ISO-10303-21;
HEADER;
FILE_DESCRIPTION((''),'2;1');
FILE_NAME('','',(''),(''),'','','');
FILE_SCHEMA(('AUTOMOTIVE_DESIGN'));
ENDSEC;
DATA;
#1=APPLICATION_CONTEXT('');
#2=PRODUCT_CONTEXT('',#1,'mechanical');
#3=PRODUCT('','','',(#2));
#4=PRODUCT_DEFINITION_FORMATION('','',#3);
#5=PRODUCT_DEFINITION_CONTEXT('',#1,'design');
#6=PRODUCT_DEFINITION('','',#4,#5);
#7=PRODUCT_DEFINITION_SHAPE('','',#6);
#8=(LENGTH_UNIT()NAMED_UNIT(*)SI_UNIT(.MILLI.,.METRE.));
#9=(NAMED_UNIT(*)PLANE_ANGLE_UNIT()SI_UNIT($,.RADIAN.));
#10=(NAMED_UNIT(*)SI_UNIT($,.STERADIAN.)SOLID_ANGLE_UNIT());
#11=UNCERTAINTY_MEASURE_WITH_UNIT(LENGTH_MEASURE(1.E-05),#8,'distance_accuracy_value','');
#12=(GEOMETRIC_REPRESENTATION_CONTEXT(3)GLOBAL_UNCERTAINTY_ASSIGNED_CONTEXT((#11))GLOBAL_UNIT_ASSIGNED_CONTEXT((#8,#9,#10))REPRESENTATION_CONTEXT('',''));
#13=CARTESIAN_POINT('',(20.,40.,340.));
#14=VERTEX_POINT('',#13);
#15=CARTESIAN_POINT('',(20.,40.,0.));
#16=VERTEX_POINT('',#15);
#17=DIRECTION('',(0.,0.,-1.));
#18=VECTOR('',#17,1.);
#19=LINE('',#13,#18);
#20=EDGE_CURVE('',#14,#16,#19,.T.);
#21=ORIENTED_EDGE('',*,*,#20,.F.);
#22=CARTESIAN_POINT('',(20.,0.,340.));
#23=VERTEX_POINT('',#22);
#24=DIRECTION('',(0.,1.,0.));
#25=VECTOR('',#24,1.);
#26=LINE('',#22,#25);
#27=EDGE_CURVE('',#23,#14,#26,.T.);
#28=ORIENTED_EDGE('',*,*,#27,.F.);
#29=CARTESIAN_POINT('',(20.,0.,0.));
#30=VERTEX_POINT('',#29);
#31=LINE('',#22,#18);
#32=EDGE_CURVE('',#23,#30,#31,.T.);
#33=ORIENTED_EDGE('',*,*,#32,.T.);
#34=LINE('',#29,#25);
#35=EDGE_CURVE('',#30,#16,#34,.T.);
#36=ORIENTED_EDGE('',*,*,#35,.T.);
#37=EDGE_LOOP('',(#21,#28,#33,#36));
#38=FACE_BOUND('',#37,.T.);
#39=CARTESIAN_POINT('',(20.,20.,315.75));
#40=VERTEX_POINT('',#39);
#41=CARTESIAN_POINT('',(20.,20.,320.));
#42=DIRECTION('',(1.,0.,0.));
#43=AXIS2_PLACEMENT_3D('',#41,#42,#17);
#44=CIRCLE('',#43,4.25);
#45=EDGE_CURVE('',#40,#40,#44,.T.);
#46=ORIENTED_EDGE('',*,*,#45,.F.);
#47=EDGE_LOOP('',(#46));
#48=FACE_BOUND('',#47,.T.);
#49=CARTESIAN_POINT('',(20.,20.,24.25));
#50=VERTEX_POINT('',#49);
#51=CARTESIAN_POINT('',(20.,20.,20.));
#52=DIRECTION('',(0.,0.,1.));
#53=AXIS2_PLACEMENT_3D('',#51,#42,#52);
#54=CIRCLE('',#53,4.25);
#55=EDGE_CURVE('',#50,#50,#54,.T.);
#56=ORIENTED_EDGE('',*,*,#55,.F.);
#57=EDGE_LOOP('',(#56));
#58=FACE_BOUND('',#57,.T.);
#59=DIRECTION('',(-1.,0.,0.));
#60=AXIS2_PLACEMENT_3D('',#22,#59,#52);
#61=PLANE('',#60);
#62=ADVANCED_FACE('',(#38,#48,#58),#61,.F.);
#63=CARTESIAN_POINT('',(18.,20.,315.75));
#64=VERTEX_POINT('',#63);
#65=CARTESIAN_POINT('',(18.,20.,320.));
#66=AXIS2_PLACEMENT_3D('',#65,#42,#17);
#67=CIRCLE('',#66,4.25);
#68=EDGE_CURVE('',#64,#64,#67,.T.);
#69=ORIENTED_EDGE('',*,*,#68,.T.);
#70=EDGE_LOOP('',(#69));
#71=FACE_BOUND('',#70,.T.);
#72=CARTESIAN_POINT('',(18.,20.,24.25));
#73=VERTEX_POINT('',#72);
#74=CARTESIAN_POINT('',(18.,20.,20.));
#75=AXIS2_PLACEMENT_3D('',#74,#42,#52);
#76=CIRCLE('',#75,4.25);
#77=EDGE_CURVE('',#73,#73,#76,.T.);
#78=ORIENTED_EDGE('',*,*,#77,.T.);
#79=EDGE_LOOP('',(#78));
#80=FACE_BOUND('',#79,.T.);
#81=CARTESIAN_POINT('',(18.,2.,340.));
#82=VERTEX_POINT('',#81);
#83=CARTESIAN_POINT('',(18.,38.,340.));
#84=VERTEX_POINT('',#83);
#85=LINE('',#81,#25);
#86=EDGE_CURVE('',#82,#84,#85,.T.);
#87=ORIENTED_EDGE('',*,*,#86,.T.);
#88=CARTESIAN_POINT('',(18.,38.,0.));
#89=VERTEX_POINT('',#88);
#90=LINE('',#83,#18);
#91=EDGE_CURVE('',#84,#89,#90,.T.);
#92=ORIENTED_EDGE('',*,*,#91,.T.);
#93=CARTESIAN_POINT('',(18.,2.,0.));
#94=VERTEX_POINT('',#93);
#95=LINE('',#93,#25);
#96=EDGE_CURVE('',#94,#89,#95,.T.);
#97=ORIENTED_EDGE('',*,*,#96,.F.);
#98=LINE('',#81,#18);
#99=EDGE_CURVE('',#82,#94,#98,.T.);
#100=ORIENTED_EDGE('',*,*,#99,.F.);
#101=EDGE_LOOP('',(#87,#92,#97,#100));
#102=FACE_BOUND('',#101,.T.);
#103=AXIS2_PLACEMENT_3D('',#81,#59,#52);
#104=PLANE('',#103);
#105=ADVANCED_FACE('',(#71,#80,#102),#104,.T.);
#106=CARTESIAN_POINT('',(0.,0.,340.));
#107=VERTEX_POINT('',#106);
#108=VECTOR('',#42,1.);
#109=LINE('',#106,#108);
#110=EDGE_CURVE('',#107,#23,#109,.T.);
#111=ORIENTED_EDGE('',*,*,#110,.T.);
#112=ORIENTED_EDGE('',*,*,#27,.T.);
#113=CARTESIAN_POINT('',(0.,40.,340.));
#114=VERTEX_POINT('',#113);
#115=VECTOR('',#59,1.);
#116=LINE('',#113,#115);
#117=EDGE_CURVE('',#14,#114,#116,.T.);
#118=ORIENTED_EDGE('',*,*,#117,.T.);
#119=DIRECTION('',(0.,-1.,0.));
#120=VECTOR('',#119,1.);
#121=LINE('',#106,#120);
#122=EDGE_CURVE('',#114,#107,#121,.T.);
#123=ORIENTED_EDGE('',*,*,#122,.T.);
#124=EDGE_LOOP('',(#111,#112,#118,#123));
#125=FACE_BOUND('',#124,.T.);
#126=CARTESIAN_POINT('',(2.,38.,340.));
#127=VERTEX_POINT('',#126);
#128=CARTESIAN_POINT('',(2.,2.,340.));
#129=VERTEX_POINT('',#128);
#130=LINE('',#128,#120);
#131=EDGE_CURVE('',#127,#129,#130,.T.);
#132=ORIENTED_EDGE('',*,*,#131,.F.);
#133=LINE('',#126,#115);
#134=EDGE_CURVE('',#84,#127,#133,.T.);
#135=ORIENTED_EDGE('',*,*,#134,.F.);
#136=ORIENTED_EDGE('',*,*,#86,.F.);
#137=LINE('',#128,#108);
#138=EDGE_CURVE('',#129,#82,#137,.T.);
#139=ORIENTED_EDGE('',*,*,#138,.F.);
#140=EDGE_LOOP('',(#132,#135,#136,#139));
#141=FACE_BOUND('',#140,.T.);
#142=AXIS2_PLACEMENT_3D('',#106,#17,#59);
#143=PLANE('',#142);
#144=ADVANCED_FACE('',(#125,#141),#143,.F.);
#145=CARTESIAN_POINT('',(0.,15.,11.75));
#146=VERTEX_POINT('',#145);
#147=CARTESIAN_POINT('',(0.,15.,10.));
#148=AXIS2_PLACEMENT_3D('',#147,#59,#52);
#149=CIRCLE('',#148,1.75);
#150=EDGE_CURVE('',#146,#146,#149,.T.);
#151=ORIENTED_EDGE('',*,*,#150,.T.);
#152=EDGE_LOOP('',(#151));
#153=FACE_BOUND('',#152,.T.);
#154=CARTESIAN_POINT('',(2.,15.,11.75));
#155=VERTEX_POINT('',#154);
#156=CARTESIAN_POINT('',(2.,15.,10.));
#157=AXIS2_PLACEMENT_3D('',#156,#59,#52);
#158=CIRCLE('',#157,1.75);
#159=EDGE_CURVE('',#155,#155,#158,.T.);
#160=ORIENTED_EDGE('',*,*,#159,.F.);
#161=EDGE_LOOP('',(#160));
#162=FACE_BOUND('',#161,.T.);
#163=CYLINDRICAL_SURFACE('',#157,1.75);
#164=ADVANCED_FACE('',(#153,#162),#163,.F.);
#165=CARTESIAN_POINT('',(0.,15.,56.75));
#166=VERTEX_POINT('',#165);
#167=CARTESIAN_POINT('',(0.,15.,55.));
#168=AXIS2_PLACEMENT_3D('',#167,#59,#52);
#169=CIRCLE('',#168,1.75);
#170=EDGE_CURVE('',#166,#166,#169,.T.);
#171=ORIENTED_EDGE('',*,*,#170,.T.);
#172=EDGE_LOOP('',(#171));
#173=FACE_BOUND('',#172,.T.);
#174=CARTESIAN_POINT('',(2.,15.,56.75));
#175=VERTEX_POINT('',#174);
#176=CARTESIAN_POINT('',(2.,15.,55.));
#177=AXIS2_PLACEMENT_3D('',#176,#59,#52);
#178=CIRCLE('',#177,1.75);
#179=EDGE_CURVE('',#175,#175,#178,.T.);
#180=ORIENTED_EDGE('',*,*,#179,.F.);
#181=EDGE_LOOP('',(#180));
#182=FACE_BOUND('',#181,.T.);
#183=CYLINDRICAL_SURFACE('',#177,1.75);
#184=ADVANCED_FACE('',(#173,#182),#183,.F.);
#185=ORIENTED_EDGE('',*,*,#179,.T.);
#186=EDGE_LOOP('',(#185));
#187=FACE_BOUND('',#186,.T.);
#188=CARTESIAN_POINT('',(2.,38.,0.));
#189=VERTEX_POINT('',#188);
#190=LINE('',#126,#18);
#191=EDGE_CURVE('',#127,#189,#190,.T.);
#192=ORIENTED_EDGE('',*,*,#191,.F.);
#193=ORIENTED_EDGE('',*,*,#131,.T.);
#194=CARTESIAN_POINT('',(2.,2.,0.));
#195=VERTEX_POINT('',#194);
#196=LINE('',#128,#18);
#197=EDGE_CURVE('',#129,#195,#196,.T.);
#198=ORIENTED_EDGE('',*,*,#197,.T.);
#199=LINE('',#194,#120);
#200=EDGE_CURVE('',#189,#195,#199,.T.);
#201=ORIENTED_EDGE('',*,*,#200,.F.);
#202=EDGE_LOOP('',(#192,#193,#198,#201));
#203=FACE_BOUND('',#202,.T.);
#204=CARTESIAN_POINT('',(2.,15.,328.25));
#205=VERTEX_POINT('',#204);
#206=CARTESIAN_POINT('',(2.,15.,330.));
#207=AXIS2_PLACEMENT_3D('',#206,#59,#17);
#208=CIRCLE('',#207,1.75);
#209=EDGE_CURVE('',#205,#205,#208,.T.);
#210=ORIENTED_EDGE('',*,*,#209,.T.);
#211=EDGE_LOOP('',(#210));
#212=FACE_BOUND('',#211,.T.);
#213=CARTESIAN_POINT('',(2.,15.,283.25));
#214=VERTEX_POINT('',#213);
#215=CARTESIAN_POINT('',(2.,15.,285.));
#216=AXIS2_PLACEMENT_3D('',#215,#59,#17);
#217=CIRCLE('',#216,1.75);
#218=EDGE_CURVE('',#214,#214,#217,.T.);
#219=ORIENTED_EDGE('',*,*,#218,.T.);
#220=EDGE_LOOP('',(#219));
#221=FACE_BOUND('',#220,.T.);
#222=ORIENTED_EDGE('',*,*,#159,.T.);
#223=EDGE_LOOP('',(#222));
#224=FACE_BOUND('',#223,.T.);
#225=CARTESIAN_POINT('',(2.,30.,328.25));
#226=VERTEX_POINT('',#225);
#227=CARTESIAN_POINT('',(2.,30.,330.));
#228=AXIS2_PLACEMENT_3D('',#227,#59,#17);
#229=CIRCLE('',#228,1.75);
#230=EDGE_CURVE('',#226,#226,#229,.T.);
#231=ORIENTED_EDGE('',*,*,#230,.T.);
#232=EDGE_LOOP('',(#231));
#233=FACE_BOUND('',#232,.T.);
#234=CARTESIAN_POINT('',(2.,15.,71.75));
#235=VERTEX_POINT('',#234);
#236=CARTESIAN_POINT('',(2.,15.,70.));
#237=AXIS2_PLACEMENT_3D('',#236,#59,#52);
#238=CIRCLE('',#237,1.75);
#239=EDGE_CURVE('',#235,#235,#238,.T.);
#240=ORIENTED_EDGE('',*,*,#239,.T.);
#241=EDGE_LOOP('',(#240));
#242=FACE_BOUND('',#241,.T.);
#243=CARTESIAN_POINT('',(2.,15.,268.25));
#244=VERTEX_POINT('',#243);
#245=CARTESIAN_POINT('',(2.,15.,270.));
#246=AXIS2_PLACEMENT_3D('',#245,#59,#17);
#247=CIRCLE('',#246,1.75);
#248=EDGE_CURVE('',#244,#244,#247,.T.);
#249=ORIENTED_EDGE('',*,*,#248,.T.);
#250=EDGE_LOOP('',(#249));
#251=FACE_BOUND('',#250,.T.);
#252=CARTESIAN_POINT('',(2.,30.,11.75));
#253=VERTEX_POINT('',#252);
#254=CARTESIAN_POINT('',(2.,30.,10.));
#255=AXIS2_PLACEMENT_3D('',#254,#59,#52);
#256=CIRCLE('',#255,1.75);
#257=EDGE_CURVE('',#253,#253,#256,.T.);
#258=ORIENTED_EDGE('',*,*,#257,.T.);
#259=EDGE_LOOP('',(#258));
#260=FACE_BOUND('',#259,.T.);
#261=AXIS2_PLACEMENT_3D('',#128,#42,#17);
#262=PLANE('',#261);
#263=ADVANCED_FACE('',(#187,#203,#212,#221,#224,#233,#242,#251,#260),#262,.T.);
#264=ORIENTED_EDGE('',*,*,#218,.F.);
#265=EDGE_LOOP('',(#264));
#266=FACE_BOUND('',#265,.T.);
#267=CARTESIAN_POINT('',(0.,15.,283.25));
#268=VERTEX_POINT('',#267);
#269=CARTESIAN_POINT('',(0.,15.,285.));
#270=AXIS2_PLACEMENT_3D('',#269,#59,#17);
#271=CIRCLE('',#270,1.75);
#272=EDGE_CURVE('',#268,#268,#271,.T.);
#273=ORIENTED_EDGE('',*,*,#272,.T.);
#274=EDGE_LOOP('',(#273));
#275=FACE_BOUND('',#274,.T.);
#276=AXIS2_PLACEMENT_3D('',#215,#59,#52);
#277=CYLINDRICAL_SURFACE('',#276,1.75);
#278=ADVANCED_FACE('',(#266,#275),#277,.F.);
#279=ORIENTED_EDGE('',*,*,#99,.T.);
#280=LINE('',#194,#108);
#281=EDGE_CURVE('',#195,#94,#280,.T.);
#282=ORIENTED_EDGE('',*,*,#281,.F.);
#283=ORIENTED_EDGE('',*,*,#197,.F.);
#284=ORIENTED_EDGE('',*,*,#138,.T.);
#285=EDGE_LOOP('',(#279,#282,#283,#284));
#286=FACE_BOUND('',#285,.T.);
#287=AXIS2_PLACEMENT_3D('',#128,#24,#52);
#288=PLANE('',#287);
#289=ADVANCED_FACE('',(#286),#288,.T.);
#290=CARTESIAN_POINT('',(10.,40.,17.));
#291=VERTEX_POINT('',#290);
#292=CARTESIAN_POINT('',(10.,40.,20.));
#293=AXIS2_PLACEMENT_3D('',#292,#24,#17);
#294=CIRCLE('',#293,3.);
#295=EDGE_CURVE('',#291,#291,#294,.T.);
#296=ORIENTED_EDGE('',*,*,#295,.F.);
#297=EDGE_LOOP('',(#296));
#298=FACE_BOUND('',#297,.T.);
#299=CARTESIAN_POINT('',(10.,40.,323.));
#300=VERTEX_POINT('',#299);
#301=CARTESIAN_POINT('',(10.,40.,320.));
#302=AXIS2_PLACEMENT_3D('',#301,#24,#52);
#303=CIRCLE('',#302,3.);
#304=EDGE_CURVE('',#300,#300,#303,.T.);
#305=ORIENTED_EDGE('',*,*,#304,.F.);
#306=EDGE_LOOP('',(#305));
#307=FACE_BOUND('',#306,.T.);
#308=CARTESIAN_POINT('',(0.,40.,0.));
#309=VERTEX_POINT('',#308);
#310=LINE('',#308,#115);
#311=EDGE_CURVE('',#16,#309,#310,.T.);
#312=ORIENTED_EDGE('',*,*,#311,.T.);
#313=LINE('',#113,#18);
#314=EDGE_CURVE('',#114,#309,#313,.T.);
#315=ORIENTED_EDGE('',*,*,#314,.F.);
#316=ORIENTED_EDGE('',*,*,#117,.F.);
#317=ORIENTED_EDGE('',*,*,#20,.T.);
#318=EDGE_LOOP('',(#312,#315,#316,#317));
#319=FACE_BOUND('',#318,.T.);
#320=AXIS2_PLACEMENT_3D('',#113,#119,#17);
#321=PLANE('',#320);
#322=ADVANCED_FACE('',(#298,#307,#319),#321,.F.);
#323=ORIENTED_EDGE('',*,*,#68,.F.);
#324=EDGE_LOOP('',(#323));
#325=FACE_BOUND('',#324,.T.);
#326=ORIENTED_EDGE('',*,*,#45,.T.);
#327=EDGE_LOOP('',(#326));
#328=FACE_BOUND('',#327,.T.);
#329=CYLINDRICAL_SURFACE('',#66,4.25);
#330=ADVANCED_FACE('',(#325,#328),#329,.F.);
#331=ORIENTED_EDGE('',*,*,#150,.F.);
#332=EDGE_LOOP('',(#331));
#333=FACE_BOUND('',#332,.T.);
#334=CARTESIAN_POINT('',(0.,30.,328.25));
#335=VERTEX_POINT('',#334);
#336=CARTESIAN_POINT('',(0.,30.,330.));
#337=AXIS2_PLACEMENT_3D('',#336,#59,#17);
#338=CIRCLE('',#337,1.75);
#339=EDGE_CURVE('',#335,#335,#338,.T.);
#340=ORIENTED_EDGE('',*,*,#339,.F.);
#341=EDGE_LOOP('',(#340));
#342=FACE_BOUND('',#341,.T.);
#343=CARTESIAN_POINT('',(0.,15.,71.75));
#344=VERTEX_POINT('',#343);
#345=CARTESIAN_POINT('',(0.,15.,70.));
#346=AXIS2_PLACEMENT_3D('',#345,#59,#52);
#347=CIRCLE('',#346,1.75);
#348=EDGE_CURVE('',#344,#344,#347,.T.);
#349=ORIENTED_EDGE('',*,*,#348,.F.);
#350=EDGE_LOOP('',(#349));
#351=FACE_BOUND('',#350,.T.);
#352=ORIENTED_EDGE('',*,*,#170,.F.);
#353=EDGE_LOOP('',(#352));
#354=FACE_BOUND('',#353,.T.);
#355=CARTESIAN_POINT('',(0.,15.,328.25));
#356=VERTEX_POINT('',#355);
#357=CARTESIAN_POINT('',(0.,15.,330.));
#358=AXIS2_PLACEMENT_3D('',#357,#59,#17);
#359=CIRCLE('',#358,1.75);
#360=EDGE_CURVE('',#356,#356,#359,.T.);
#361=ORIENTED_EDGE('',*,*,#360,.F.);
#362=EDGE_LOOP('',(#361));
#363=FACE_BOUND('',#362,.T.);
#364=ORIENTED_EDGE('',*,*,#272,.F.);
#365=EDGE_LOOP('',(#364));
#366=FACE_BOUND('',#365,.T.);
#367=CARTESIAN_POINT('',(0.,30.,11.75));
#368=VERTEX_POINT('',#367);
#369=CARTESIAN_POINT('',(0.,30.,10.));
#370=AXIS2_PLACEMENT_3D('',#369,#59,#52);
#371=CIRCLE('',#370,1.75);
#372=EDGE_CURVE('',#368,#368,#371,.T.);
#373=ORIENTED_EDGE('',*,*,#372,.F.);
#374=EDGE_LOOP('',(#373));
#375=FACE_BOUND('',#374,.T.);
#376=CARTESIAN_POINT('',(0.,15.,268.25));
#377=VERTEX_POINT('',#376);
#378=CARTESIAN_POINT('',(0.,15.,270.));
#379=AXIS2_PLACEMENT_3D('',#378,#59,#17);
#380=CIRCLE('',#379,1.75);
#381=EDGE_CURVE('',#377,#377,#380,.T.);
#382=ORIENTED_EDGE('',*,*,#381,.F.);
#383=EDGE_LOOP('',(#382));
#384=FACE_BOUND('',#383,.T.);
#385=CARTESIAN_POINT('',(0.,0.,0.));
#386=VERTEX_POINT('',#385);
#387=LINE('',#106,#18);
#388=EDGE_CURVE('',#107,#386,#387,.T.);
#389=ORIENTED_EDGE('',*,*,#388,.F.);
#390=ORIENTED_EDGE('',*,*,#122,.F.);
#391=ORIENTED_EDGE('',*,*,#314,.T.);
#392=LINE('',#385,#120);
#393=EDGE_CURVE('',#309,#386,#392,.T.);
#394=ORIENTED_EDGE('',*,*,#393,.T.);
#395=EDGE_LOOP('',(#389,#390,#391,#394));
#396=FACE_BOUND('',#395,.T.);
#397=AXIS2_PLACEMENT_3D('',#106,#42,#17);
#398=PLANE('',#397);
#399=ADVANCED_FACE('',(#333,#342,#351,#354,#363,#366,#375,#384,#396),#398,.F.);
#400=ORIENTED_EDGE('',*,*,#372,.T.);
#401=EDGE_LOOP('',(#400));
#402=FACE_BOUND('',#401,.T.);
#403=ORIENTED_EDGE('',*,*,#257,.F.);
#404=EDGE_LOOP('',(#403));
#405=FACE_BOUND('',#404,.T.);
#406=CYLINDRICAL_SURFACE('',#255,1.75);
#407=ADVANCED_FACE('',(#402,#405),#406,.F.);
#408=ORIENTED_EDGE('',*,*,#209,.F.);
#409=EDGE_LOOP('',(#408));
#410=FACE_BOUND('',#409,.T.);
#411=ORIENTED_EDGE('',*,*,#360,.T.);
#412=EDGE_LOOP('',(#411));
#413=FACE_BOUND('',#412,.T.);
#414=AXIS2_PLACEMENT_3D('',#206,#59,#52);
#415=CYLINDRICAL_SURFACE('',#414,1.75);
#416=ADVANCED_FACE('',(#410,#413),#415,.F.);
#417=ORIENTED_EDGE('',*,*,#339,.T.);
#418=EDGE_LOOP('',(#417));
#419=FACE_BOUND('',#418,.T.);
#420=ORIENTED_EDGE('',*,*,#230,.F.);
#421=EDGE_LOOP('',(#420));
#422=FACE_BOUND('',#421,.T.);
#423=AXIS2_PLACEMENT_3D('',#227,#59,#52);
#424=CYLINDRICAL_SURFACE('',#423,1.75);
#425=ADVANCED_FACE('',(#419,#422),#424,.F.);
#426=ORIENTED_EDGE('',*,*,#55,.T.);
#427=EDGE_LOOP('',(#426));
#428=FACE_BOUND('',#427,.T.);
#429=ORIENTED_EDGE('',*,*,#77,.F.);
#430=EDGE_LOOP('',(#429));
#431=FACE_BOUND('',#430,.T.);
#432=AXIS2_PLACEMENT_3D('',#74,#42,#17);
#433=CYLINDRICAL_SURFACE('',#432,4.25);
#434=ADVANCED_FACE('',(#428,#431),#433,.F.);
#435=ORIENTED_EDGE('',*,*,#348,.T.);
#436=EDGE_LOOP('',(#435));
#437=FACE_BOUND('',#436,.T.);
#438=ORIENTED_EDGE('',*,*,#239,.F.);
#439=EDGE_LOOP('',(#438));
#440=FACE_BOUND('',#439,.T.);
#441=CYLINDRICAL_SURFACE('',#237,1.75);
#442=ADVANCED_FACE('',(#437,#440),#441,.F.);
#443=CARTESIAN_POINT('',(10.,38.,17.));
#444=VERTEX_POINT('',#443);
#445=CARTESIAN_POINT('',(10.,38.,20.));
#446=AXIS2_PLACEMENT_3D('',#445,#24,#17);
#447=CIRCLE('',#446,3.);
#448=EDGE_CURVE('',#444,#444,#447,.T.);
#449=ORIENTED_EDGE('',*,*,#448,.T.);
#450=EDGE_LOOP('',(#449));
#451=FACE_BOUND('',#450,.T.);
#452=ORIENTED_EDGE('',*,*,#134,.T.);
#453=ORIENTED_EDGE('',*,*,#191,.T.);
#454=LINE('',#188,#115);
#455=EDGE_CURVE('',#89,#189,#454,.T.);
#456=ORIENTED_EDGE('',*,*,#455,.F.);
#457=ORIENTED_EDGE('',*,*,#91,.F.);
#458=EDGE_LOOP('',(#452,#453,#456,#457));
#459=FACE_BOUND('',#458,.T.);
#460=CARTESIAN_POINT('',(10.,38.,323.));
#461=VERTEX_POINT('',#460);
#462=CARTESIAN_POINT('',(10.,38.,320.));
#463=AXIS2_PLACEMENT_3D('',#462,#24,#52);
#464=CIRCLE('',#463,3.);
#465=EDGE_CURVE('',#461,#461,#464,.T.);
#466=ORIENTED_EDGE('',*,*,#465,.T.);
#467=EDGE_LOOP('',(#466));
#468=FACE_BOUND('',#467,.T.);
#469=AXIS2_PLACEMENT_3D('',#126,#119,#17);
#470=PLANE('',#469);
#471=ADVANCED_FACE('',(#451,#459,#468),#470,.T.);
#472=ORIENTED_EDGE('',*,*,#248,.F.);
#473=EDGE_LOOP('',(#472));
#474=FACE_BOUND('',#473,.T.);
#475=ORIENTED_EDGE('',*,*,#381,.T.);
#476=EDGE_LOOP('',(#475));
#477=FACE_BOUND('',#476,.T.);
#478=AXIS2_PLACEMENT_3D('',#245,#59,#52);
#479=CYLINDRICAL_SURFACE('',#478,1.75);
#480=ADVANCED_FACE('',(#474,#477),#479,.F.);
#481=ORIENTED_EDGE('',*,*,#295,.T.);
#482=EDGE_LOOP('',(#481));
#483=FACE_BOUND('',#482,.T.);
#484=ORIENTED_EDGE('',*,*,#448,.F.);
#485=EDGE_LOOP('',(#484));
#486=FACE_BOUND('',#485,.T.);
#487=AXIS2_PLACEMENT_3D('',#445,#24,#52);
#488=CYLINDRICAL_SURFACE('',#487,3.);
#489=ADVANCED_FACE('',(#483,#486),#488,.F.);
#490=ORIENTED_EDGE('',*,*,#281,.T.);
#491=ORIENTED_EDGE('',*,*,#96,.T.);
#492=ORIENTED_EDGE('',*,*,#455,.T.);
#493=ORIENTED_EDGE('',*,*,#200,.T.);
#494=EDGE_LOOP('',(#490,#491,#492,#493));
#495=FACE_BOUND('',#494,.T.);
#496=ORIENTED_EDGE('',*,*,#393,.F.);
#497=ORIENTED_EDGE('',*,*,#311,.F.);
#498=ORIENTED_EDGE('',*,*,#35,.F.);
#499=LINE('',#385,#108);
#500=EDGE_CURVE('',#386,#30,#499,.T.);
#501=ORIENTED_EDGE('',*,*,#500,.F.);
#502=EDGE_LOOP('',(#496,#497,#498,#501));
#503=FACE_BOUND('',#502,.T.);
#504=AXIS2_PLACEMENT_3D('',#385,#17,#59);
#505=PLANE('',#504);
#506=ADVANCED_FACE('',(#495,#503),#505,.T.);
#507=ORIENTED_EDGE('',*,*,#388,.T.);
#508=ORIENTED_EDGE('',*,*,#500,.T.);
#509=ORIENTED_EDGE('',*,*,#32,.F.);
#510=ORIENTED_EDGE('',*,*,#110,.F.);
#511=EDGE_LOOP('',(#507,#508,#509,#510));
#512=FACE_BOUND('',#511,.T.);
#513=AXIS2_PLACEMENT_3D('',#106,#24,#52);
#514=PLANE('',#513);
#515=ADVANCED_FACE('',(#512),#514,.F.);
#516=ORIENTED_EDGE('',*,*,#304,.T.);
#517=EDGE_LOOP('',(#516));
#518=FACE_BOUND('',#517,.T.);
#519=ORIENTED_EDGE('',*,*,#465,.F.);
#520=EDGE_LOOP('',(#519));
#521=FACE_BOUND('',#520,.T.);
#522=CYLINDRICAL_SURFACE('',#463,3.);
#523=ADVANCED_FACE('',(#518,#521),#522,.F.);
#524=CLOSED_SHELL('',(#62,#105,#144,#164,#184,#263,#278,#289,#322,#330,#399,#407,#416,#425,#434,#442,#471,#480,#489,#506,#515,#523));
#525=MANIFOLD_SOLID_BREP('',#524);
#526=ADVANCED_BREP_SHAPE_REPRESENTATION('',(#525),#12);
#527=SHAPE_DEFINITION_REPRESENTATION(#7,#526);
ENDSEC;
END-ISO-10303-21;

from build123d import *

# Parameters (mm, degrees)
ESBO_O1_W                = 20
ESBO_O1_H                = 40
ESBO_O1_W_2              = 16
ESBO_O1_H_2              = 36
RESSALTO_EXTRUS_O1_DEPTH = 340
ESBO_O2_R                = 1.75
CORTE_EXTRUS_O1_DEPTH    = 2
ESBO_O3_R                = 3
CORTE_EXTRUS_O2_DEPTH    = 2
ESBO_O4_R                = 4.25
CORTE_EXTRUS_O3_DEPTH    = 2


with BuildPart() as part:
    # Esboço1 → Ressalto-extrusão1 (new body)
    with BuildSketch(Plane.XY):
        with Locations((10, 20)):
            Rectangle(ESBO_O1_W, ESBO_O1_H)
        with Locations((10, 20)):
            Rectangle(ESBO_O1_W_2, ESBO_O1_H_2, mode=Mode.SUBTRACT)
    extrude(amount=RESSALTO_EXTRUS_O1_DEPTH)

    # Esboço2 → Corte-extrusão1 (cut)
    with BuildSketch(Plane.ZY):
        with Locations((10, 30)):
            Circle(ESBO_O2_R)
        with Locations((10, 15)):
            Circle(ESBO_O2_R)
        with Locations((70, 15)):
            Circle(ESBO_O2_R)
        with Locations((55, 15)):
            Circle(ESBO_O2_R)
        with Locations(Location((270, 15, 0), (0, 0, 180))):
            Circle(ESBO_O2_R)
        with Locations(Location((285, 15, 0), (0, 0, 180))):
            Circle(ESBO_O2_R)
        with Locations(Location((330, 15, 0), (0, 0, 180))):
            Circle(ESBO_O2_R)
        with Locations(Location((330, 30, 0), (0, 0, 180))):
            Circle(ESBO_O2_R)
    extrude(amount=-CORTE_EXTRUS_O1_DEPTH, mode=Mode.SUBTRACT)

    # Esboço3 → Corte-extrusão2 (cut)
    with BuildSketch(Plane(origin=(0, 40, 0), x_dir=(1, 0, 0), z_dir=(0, 1, 0))):
        with Locations(Location((10, -320, 0), (0, 0, 270))):
            Circle(ESBO_O3_R)
        with Locations(Location((10, -20, 0), (0, 0, 90))):
            Circle(ESBO_O3_R)
    extrude(amount=-CORTE_EXTRUS_O2_DEPTH, mode=Mode.SUBTRACT)

    # Esboço4 → Corte-extrusão3 (cut)
    with BuildSketch(Plane(origin=(20, 0, 0), x_dir=(0, 0, -1), z_dir=(1, 0, 0))):
        with Locations((-320, 20)):
            Circle(ESBO_O4_R)
        with Locations(Location((-20, 20, 0), (0, 0, 180))):
            Circle(ESBO_O4_R)
    extrude(amount=-CORTE_EXTRUS_O3_DEPTH, mode=Mode.SUBTRACT)


solid = part.part
